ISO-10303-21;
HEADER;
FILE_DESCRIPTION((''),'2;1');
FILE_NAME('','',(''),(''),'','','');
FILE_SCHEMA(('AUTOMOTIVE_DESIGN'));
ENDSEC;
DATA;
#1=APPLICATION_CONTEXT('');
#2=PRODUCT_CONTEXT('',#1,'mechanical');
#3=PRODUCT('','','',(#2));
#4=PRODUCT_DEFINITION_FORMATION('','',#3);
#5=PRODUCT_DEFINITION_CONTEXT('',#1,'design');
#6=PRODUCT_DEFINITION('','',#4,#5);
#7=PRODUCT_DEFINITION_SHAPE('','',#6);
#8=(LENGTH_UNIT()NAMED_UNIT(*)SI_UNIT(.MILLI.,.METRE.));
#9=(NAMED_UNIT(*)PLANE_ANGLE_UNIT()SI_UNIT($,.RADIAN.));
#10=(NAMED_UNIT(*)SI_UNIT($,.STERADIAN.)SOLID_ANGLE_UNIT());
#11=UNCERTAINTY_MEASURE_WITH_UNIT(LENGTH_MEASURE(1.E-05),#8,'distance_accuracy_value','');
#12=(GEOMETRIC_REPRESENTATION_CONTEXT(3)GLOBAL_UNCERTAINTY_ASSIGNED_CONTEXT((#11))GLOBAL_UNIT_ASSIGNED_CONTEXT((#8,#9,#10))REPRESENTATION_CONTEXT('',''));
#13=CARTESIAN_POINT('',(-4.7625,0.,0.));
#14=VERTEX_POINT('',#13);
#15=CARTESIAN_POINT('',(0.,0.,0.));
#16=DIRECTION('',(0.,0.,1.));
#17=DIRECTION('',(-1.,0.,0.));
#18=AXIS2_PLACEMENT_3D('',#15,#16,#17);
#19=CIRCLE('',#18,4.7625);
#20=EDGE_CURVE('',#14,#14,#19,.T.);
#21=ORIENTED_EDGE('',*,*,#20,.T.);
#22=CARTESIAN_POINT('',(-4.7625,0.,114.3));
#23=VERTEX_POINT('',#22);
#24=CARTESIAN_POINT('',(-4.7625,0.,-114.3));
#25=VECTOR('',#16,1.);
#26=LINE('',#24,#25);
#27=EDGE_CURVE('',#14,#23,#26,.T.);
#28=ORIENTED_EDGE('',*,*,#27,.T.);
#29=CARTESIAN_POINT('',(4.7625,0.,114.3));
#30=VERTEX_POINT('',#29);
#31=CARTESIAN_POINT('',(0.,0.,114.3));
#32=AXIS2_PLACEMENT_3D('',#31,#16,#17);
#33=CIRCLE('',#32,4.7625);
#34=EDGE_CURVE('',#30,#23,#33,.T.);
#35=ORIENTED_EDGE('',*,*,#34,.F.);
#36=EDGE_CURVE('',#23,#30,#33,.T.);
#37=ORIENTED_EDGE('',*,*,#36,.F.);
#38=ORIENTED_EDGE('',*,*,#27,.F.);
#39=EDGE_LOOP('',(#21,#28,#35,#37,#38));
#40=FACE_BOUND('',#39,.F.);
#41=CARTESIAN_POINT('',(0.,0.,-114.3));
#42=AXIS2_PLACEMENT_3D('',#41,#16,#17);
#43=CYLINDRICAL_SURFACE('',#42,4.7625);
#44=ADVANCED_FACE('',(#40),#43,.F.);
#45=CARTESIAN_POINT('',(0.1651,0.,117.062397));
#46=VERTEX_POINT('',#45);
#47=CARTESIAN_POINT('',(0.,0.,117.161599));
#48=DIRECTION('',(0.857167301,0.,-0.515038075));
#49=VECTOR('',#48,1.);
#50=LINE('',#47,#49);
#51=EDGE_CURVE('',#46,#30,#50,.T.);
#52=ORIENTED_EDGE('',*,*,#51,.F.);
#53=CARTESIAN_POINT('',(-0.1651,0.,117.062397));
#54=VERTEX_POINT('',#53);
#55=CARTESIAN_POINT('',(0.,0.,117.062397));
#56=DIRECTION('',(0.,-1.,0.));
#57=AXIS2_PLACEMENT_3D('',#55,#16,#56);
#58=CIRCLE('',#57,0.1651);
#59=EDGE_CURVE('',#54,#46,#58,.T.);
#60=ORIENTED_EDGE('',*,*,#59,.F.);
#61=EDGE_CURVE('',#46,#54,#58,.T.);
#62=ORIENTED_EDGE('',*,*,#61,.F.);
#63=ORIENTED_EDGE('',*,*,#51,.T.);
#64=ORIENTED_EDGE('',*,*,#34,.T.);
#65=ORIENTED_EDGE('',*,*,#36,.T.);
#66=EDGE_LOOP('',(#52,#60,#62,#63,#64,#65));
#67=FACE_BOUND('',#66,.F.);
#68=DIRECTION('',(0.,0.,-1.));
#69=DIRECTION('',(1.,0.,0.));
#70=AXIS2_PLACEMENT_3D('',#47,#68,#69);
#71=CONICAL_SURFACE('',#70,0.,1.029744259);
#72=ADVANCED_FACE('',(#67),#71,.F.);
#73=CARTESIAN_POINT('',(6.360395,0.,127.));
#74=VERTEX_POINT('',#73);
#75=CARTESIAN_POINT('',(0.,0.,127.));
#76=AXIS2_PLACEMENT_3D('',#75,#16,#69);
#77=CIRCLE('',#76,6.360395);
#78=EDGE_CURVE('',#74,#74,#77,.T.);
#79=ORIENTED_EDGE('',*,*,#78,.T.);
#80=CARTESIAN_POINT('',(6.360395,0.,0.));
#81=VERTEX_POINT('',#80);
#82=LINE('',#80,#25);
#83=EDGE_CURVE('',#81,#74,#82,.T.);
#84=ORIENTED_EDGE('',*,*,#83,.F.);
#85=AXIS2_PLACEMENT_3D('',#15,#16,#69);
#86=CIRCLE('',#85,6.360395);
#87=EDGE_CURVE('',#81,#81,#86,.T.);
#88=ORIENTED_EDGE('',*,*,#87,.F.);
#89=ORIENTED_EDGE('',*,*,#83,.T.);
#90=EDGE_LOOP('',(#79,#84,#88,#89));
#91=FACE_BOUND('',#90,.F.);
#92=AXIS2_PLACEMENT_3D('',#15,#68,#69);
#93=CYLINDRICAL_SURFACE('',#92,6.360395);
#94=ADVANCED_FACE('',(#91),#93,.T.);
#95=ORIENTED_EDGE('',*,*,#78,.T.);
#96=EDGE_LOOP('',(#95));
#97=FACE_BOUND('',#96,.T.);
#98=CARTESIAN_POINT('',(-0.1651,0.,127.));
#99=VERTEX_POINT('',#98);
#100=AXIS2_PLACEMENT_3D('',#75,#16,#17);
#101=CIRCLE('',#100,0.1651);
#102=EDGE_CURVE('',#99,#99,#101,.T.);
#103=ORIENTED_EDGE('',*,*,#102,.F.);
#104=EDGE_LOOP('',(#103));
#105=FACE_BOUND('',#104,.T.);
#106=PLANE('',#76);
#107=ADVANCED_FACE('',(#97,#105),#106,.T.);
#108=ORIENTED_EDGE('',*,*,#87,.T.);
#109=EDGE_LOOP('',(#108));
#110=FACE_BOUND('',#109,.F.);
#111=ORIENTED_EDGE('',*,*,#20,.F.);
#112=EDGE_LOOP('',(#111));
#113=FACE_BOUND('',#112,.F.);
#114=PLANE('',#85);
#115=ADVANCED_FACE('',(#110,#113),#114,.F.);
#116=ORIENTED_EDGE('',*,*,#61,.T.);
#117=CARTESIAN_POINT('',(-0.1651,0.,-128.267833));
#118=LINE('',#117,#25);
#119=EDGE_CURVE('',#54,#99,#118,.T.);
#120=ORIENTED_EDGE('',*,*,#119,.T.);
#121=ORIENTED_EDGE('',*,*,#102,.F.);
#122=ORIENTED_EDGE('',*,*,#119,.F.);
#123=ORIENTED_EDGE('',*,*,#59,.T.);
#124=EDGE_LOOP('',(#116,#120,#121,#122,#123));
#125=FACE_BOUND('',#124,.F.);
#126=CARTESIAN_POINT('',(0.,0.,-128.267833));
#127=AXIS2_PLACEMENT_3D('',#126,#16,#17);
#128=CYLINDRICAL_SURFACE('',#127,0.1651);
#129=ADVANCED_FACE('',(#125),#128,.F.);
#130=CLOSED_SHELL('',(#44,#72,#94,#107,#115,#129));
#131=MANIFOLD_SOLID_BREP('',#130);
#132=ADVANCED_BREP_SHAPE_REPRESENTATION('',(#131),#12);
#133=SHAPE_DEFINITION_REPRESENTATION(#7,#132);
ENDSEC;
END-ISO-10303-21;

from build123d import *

# Parameters (mm, degrees)
F0_R     = 6.3603951
F1_DEPTH = 127
F2_D     = 9.525
F2_DEPTH = 114.3
F2_TIP   = 2.8615986981
F3_D     = 0.3302


with BuildPart() as f1:
    # F0 (on Top) → F1 (new body)
    with BuildSketch(Plane.XY):
        Circle(F0_R)
    extrude(amount=F1_DEPTH)

    # F2
    with Locations(Plane(origin=(0, 0, 0), x_dir=(1, 0, 0), z_dir=(0, 0, -1))):
        with Locations((0, 0)):
            Hole(F2_D / 2, depth=F2_DEPTH)
            with Locations((0, 0, -(F2_DEPTH + F2_TIP / 2))):  # 118° drill point
                Cone(0, F2_D / 2, F2_TIP, mode=Mode.SUBTRACT)

    # F3 (through all)
    with Locations(Plane(origin=(0, 0, 0), x_dir=(1, 0, 0), z_dir=(0, 0, -1))):
        with Locations((0, 0)):
            Hole(F3_D / 2)


solid = f1.part
